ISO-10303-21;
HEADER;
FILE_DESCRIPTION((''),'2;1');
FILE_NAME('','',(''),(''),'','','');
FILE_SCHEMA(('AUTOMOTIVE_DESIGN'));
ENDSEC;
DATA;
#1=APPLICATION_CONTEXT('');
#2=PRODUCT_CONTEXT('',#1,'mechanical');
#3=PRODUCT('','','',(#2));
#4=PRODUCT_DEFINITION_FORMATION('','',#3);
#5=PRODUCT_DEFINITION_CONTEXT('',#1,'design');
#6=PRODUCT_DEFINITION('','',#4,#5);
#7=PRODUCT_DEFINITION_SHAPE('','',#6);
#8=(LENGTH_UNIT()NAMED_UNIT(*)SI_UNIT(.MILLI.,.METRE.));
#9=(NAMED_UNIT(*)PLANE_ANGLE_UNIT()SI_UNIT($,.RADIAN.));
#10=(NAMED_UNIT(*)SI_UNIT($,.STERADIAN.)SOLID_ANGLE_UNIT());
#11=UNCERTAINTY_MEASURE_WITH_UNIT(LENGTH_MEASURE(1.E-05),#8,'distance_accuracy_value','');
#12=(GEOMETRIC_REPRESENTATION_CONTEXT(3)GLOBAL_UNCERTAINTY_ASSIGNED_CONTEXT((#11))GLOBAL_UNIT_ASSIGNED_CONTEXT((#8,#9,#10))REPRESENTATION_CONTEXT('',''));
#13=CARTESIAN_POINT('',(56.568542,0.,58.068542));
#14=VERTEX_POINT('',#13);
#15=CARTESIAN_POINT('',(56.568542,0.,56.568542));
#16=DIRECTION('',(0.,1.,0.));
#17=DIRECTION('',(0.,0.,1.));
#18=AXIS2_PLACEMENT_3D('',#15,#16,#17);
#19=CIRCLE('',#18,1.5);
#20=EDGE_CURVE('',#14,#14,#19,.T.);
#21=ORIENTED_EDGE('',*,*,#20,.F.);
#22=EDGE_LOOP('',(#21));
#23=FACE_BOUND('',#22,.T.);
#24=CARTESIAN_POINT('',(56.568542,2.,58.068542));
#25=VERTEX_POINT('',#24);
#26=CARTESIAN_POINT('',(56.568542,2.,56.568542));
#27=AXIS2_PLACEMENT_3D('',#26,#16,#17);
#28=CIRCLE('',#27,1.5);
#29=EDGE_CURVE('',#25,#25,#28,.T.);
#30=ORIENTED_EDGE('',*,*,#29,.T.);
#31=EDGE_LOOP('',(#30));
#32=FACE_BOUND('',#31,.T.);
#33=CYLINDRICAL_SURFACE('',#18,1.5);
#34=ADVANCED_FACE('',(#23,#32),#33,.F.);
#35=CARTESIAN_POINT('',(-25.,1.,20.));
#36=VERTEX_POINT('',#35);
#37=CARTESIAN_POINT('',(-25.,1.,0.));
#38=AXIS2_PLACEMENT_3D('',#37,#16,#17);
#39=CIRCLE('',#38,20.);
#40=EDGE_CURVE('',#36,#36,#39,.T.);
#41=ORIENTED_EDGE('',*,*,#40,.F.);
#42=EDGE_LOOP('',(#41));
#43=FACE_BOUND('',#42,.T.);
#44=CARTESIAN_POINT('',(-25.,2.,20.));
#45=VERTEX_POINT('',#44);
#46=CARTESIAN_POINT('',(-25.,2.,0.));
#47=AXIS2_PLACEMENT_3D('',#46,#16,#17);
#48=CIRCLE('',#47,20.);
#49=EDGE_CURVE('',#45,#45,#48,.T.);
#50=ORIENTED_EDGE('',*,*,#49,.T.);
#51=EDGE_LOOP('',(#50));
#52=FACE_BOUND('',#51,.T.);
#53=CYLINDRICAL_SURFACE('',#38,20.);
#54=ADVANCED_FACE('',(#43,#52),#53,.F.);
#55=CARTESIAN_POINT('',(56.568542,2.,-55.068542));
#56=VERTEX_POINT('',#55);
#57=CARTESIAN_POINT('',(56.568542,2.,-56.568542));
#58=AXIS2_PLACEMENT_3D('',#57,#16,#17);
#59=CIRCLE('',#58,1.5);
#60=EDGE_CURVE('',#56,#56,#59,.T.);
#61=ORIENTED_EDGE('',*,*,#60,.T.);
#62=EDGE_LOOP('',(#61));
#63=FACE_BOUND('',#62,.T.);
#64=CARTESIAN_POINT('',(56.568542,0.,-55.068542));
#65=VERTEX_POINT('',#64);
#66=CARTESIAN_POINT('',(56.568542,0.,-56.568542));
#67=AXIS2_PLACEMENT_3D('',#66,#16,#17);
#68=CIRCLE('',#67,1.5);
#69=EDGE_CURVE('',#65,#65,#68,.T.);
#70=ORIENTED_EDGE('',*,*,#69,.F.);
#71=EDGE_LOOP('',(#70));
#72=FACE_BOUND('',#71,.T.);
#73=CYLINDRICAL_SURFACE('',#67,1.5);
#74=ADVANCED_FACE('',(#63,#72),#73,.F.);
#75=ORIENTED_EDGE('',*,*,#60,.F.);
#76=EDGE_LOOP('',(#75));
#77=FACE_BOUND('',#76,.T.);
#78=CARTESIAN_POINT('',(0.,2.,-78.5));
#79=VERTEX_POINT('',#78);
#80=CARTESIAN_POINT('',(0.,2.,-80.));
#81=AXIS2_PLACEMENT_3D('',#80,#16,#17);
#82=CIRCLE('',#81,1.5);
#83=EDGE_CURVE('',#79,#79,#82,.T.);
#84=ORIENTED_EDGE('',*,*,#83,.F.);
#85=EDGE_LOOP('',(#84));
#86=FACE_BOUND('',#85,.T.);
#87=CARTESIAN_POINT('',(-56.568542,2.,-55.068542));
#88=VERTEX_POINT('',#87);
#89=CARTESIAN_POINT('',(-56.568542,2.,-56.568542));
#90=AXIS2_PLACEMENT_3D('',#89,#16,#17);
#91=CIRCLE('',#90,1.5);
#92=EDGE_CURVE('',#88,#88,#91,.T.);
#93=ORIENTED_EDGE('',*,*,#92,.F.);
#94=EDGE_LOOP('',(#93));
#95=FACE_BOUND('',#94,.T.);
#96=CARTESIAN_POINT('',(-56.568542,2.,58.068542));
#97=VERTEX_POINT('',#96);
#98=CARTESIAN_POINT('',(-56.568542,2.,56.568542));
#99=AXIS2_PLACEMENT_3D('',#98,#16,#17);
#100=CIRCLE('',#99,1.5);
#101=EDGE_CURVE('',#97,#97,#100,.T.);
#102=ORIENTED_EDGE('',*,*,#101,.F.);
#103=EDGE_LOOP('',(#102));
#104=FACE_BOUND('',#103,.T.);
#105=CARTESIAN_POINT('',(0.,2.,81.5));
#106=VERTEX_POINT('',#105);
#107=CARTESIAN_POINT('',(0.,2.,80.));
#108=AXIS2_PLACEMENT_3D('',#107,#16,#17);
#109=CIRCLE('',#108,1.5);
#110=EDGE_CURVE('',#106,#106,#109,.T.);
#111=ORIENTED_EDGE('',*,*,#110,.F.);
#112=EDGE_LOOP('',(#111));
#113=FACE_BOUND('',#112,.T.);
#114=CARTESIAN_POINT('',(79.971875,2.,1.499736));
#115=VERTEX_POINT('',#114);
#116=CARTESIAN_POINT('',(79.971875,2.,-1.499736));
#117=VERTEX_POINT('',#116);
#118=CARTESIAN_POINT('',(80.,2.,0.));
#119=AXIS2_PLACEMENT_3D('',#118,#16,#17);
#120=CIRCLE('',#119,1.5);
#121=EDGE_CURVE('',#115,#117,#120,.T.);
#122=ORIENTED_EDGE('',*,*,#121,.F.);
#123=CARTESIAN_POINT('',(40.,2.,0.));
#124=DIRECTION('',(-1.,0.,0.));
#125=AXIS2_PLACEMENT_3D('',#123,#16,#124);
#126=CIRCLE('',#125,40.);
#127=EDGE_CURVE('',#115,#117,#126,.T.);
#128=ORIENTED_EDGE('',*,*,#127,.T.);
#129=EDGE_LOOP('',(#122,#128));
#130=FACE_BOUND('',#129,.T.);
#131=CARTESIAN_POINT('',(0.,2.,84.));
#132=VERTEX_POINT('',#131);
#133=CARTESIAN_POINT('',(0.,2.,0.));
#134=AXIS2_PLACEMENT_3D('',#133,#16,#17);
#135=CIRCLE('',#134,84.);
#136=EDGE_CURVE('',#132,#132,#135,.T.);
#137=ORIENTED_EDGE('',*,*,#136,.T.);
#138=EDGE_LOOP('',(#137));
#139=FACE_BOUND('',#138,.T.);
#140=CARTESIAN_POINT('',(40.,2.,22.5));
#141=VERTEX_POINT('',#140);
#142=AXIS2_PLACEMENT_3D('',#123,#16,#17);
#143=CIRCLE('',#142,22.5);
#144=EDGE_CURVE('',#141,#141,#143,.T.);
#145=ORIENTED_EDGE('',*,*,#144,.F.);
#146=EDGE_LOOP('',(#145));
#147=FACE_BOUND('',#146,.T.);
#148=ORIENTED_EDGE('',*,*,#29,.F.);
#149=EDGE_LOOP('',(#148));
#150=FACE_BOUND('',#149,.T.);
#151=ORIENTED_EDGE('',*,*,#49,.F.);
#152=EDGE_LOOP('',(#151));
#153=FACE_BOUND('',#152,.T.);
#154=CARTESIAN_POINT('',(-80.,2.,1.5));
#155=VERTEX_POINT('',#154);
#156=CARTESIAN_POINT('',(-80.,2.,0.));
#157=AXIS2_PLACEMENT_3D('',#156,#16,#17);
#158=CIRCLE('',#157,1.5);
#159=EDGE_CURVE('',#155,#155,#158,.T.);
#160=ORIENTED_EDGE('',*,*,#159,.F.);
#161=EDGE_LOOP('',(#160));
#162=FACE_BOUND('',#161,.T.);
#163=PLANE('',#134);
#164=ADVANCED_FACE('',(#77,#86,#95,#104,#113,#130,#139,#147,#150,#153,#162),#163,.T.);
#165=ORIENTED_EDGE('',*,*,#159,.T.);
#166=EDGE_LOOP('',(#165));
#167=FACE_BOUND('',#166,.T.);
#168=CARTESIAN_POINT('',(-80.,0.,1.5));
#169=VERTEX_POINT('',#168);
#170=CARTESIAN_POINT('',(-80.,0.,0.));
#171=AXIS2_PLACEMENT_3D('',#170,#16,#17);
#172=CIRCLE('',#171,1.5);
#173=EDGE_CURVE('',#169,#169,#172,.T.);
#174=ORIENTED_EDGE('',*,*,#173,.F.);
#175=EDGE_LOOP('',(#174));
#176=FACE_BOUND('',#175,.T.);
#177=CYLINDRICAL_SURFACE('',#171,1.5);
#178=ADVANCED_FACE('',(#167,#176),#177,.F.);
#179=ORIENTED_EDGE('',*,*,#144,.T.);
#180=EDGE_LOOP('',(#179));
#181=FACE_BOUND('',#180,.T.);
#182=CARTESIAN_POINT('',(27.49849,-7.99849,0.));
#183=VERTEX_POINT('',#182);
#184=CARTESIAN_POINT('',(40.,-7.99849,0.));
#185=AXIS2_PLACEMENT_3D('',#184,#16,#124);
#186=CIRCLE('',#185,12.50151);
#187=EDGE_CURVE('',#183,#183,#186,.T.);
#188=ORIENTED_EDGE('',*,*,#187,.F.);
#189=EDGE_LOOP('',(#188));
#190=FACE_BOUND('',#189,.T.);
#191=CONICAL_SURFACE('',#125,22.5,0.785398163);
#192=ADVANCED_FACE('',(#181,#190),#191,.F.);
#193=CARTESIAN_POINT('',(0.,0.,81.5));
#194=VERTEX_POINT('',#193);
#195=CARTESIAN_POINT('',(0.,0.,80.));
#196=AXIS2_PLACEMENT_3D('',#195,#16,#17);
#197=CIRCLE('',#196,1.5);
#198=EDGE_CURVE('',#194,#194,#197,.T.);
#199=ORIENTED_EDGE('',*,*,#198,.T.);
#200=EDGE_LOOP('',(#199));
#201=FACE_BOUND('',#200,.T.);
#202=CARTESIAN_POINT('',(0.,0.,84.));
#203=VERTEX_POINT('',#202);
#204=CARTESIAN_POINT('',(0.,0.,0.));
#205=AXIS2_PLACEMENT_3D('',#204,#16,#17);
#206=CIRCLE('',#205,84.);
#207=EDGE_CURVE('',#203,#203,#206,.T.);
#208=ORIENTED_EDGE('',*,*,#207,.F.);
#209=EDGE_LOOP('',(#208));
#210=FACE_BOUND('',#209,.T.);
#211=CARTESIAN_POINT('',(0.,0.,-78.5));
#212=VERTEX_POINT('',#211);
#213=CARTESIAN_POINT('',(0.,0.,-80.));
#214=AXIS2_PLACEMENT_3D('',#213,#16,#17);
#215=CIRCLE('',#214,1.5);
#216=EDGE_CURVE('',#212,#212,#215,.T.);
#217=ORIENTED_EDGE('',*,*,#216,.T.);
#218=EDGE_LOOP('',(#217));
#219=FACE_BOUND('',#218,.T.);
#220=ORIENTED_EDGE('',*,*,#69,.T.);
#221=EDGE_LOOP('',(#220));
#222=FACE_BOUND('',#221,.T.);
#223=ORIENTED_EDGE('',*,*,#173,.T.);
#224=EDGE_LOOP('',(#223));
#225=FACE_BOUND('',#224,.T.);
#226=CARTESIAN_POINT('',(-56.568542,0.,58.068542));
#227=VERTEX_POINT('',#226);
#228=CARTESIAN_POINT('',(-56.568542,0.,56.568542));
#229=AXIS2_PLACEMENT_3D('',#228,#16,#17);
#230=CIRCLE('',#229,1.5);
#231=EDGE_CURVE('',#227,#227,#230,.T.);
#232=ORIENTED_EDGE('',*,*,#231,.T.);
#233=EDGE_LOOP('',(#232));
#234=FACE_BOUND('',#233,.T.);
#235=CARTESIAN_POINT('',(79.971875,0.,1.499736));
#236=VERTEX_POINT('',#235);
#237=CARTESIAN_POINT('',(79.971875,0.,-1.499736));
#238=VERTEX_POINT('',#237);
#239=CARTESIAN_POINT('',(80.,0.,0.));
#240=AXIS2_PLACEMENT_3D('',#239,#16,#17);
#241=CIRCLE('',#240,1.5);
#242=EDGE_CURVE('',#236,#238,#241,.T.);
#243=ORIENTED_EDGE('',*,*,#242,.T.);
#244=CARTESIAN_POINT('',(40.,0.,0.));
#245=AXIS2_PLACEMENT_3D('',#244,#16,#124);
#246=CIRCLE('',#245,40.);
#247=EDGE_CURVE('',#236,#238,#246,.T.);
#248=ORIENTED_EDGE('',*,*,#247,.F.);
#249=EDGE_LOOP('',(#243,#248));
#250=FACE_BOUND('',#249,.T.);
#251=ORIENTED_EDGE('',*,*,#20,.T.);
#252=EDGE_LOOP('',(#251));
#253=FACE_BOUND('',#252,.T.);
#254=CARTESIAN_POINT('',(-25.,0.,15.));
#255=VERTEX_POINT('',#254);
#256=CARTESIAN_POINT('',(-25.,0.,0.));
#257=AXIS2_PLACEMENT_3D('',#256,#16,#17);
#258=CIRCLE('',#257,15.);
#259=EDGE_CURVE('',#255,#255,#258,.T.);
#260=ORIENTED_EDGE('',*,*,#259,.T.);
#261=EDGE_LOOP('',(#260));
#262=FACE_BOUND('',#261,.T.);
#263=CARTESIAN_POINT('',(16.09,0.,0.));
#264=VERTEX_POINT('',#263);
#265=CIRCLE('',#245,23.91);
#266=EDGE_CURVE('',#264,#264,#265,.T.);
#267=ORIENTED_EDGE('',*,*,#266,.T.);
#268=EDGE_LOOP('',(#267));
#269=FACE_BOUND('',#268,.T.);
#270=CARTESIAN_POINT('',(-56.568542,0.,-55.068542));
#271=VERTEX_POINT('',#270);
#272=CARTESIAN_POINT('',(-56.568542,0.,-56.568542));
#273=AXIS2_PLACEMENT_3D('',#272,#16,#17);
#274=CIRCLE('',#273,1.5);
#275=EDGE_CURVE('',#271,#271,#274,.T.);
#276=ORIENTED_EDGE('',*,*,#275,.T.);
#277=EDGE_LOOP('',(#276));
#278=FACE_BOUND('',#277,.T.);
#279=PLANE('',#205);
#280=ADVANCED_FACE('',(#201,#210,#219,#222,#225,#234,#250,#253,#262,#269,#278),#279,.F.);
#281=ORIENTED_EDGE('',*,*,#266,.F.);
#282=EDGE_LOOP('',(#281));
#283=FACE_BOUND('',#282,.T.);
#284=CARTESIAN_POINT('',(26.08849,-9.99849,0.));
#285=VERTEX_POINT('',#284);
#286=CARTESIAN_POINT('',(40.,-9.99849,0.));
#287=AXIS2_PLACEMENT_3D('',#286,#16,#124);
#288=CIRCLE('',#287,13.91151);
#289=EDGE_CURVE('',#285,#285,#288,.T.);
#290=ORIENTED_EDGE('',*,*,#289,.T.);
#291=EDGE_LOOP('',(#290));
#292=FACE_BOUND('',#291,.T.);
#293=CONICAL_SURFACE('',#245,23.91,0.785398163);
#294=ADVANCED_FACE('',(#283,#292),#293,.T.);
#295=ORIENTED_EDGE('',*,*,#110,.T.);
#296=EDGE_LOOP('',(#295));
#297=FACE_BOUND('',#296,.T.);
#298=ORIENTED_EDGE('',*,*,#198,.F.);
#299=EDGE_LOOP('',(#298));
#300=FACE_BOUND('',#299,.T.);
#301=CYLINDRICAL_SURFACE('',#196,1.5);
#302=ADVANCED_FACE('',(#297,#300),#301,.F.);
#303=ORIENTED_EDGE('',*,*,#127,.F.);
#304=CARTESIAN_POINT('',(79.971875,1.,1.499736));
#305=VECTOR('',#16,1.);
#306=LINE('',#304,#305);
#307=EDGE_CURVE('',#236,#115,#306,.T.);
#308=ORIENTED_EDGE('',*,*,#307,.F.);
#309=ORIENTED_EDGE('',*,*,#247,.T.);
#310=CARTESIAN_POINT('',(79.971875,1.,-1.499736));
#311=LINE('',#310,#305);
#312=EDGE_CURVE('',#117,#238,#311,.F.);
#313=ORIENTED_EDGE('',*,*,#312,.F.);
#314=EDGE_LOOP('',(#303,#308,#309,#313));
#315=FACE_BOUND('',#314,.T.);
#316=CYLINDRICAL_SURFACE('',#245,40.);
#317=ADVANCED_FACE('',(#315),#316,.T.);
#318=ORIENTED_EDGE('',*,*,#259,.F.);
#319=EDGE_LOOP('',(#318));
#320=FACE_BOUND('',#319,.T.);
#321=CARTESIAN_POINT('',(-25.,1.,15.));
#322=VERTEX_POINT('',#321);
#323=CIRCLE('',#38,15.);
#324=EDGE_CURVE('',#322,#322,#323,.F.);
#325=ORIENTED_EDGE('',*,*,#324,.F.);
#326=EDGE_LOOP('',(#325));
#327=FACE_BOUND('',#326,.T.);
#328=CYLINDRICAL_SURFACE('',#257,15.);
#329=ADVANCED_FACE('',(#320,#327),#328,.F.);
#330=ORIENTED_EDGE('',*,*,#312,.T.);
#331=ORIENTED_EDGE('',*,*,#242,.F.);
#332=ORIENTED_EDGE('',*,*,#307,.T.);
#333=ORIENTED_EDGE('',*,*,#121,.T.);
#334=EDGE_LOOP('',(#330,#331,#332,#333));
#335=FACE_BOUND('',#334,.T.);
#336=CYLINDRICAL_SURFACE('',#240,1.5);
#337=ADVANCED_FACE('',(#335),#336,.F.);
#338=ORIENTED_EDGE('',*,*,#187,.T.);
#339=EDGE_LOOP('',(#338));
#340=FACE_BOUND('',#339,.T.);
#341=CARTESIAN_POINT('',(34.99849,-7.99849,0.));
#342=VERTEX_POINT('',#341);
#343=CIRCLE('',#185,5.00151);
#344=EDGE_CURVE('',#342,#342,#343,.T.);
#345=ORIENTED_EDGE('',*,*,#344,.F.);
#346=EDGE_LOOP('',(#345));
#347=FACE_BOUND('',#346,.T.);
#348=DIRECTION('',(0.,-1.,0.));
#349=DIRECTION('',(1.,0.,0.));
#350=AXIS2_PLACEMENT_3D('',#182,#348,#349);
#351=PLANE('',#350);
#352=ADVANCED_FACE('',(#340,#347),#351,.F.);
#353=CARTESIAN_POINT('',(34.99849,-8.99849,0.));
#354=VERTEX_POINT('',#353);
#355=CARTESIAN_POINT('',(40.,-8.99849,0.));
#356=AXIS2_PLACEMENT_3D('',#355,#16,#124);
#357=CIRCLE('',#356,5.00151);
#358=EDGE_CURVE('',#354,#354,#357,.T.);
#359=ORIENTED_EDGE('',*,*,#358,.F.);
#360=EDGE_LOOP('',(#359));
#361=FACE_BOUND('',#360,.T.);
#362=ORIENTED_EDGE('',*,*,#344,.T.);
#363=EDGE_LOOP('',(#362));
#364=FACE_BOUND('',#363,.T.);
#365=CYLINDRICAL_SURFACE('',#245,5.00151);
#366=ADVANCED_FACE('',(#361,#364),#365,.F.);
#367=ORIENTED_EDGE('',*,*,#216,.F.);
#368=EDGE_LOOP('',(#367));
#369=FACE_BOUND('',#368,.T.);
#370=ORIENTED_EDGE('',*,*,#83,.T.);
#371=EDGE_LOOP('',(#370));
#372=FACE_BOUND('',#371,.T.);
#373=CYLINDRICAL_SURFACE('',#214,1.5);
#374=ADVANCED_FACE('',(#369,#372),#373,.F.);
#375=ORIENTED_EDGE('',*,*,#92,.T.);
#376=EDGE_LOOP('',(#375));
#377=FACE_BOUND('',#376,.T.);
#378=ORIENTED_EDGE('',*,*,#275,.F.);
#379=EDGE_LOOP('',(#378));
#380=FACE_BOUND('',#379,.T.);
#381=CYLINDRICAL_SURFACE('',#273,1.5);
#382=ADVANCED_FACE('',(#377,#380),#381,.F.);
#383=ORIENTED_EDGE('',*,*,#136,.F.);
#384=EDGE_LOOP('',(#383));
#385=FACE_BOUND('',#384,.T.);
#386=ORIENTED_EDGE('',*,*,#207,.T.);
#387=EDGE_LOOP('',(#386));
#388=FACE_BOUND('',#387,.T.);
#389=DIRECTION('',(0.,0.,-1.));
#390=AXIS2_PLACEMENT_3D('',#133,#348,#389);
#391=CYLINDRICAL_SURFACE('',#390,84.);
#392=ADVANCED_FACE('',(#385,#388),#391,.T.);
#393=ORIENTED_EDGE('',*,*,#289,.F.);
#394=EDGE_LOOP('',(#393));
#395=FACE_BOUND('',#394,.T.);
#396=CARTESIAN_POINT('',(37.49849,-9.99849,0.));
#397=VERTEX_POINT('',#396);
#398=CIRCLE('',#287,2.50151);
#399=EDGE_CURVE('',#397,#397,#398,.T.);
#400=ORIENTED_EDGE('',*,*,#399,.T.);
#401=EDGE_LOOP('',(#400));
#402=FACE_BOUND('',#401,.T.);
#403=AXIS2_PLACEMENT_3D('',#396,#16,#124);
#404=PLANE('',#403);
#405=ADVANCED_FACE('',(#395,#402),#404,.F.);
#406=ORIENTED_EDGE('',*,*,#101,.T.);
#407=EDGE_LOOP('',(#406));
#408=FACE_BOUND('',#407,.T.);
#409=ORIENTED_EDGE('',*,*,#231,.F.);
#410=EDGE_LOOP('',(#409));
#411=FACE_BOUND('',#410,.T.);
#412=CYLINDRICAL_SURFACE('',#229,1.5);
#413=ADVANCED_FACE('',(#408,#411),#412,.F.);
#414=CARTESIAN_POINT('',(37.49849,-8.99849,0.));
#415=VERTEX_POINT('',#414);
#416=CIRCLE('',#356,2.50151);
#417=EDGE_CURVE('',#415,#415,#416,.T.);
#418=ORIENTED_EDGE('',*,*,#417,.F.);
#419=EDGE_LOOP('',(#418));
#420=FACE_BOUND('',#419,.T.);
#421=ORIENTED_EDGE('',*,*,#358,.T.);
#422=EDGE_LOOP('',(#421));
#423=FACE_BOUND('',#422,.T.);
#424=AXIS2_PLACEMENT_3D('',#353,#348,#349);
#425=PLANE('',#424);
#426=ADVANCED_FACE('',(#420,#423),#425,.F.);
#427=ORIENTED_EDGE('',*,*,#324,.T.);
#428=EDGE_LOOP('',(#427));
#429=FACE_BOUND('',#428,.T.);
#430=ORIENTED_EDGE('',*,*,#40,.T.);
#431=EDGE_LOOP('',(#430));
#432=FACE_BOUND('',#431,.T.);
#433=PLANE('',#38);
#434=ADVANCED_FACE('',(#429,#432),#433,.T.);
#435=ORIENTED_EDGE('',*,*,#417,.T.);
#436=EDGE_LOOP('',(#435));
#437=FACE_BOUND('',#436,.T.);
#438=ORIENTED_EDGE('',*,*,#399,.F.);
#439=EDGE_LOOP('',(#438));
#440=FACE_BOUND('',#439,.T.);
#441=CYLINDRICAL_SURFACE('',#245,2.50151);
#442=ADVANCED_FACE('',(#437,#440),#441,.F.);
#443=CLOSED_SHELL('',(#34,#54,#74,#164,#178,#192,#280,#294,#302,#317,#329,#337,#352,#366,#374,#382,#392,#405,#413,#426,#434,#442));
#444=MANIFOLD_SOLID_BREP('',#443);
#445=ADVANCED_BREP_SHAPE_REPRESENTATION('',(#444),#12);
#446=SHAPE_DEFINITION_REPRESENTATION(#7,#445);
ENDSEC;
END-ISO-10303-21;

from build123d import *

# Parameters (mm, degrees)
SKETCH_1_R          = 84
EXTRUDE_1_DEPTH     = 2
SKETCH_2_R          = 1.5
CUT_EXTRUDE_1_DEPTH = 2
SKETCH_3_R          = 15
SKETCH_3_R_2        = 22.5
CUT_EXTRUDE_2_DEPTH = 2
SKETCH_4_R          = 20
CUT_EXTRUDE_3_DEPTH = 1


with BuildPart() as part:
    # 草图1 → 凸台-拉伸1 (new body)
    with BuildSketch(Plane(origin=(0, 0, 0), x_dir=(1, 0, 0), z_dir=(0, 1, 0))):
        with Locations(Location((0, 0, 0), (0, 0, 270))):
            Circle(SKETCH_1_R)
    extrude(amount=EXTRUDE_1_DEPTH)

    # 草图2 → 切除-拉伸1 (cut)
    with BuildSketch(Plane(origin=(0, 2, 0), x_dir=(1, 0, 0), z_dir=(0, 1, 0))):
        with Locations(Location((0, 80, 0), (0, 0, 270))):
            Circle(SKETCH_2_R)
        with Locations(Location((56.568542495, 56.568542495, 0), (0, 0, 270))):
            Circle(SKETCH_2_R)
        with Locations(Location((80, 0, 0), (0, 0, 270))):
            Circle(SKETCH_2_R)
        with Locations(Location((56.568542495, -56.568542495, 0), (0, 0, 270))):
            Circle(SKETCH_2_R)
        with Locations(Location((0, -80, 0), (0, 0, 270))):
            Circle(SKETCH_2_R)
        with Locations(Location((-56.568542495, -56.568542495, 0), (0, 0, 270))):
            Circle(SKETCH_2_R)
        with Locations(Location((-80, 0, 0), (0, 0, 270))):
            Circle(SKETCH_2_R)
        with Locations(Location((-56.568542495, 56.568542495, 0), (0, 0, 270))):
            Circle(SKETCH_2_R)
    extrude(amount=-CUT_EXTRUDE_1_DEPTH, mode=Mode.SUBTRACT)

    # 草图3 → 切除-拉伸2 (cut)
    with BuildSketch(Plane(origin=(0, 2, 0), x_dir=(1, 0, 0), z_dir=(0, 1, 0))):
        with Locations(Location((-25, 0, 0), (0, 0, 270))):
            Circle(SKETCH_3_R)
        with Locations(Location((40, 0, 0), (0, 0, 270))):
            Circle(SKETCH_3_R_2)
    extrude(amount=-CUT_EXTRUDE_2_DEPTH, mode=Mode.SUBTRACT)

    # 草图4 → 切除-拉伸3 (cut)
    with BuildSketch(Plane(origin=(0, 2, 0), x_dir=(1, 0, 0), z_dir=(0, 1, 0))):
        with Locations(Location((-25, 0, 0), (0, 0, 270))):
            Circle(SKETCH_4_R)
    extrude(amount=-CUT_EXTRUDE_3_DEPTH, mode=Mode.SUBTRACT)

    # 草图6 → 旋转1 (revolve)
    with BuildSketch(Plane.XY):
        Polygon((0, 2), (17.5, 2), (27.498489886, -7.998489886), (34.998489886, -7.998489886), (34.998489886, -8.998489886), (37.498489886, -8.998489886), (37.498489886, -9.998489886), (26.088489886, -9.998489886), (16.09, 0), (0, 0), align=None)
    revolve(axis=Axis((40, 0, 0), (0, -1, 0)))


solid = part.part
